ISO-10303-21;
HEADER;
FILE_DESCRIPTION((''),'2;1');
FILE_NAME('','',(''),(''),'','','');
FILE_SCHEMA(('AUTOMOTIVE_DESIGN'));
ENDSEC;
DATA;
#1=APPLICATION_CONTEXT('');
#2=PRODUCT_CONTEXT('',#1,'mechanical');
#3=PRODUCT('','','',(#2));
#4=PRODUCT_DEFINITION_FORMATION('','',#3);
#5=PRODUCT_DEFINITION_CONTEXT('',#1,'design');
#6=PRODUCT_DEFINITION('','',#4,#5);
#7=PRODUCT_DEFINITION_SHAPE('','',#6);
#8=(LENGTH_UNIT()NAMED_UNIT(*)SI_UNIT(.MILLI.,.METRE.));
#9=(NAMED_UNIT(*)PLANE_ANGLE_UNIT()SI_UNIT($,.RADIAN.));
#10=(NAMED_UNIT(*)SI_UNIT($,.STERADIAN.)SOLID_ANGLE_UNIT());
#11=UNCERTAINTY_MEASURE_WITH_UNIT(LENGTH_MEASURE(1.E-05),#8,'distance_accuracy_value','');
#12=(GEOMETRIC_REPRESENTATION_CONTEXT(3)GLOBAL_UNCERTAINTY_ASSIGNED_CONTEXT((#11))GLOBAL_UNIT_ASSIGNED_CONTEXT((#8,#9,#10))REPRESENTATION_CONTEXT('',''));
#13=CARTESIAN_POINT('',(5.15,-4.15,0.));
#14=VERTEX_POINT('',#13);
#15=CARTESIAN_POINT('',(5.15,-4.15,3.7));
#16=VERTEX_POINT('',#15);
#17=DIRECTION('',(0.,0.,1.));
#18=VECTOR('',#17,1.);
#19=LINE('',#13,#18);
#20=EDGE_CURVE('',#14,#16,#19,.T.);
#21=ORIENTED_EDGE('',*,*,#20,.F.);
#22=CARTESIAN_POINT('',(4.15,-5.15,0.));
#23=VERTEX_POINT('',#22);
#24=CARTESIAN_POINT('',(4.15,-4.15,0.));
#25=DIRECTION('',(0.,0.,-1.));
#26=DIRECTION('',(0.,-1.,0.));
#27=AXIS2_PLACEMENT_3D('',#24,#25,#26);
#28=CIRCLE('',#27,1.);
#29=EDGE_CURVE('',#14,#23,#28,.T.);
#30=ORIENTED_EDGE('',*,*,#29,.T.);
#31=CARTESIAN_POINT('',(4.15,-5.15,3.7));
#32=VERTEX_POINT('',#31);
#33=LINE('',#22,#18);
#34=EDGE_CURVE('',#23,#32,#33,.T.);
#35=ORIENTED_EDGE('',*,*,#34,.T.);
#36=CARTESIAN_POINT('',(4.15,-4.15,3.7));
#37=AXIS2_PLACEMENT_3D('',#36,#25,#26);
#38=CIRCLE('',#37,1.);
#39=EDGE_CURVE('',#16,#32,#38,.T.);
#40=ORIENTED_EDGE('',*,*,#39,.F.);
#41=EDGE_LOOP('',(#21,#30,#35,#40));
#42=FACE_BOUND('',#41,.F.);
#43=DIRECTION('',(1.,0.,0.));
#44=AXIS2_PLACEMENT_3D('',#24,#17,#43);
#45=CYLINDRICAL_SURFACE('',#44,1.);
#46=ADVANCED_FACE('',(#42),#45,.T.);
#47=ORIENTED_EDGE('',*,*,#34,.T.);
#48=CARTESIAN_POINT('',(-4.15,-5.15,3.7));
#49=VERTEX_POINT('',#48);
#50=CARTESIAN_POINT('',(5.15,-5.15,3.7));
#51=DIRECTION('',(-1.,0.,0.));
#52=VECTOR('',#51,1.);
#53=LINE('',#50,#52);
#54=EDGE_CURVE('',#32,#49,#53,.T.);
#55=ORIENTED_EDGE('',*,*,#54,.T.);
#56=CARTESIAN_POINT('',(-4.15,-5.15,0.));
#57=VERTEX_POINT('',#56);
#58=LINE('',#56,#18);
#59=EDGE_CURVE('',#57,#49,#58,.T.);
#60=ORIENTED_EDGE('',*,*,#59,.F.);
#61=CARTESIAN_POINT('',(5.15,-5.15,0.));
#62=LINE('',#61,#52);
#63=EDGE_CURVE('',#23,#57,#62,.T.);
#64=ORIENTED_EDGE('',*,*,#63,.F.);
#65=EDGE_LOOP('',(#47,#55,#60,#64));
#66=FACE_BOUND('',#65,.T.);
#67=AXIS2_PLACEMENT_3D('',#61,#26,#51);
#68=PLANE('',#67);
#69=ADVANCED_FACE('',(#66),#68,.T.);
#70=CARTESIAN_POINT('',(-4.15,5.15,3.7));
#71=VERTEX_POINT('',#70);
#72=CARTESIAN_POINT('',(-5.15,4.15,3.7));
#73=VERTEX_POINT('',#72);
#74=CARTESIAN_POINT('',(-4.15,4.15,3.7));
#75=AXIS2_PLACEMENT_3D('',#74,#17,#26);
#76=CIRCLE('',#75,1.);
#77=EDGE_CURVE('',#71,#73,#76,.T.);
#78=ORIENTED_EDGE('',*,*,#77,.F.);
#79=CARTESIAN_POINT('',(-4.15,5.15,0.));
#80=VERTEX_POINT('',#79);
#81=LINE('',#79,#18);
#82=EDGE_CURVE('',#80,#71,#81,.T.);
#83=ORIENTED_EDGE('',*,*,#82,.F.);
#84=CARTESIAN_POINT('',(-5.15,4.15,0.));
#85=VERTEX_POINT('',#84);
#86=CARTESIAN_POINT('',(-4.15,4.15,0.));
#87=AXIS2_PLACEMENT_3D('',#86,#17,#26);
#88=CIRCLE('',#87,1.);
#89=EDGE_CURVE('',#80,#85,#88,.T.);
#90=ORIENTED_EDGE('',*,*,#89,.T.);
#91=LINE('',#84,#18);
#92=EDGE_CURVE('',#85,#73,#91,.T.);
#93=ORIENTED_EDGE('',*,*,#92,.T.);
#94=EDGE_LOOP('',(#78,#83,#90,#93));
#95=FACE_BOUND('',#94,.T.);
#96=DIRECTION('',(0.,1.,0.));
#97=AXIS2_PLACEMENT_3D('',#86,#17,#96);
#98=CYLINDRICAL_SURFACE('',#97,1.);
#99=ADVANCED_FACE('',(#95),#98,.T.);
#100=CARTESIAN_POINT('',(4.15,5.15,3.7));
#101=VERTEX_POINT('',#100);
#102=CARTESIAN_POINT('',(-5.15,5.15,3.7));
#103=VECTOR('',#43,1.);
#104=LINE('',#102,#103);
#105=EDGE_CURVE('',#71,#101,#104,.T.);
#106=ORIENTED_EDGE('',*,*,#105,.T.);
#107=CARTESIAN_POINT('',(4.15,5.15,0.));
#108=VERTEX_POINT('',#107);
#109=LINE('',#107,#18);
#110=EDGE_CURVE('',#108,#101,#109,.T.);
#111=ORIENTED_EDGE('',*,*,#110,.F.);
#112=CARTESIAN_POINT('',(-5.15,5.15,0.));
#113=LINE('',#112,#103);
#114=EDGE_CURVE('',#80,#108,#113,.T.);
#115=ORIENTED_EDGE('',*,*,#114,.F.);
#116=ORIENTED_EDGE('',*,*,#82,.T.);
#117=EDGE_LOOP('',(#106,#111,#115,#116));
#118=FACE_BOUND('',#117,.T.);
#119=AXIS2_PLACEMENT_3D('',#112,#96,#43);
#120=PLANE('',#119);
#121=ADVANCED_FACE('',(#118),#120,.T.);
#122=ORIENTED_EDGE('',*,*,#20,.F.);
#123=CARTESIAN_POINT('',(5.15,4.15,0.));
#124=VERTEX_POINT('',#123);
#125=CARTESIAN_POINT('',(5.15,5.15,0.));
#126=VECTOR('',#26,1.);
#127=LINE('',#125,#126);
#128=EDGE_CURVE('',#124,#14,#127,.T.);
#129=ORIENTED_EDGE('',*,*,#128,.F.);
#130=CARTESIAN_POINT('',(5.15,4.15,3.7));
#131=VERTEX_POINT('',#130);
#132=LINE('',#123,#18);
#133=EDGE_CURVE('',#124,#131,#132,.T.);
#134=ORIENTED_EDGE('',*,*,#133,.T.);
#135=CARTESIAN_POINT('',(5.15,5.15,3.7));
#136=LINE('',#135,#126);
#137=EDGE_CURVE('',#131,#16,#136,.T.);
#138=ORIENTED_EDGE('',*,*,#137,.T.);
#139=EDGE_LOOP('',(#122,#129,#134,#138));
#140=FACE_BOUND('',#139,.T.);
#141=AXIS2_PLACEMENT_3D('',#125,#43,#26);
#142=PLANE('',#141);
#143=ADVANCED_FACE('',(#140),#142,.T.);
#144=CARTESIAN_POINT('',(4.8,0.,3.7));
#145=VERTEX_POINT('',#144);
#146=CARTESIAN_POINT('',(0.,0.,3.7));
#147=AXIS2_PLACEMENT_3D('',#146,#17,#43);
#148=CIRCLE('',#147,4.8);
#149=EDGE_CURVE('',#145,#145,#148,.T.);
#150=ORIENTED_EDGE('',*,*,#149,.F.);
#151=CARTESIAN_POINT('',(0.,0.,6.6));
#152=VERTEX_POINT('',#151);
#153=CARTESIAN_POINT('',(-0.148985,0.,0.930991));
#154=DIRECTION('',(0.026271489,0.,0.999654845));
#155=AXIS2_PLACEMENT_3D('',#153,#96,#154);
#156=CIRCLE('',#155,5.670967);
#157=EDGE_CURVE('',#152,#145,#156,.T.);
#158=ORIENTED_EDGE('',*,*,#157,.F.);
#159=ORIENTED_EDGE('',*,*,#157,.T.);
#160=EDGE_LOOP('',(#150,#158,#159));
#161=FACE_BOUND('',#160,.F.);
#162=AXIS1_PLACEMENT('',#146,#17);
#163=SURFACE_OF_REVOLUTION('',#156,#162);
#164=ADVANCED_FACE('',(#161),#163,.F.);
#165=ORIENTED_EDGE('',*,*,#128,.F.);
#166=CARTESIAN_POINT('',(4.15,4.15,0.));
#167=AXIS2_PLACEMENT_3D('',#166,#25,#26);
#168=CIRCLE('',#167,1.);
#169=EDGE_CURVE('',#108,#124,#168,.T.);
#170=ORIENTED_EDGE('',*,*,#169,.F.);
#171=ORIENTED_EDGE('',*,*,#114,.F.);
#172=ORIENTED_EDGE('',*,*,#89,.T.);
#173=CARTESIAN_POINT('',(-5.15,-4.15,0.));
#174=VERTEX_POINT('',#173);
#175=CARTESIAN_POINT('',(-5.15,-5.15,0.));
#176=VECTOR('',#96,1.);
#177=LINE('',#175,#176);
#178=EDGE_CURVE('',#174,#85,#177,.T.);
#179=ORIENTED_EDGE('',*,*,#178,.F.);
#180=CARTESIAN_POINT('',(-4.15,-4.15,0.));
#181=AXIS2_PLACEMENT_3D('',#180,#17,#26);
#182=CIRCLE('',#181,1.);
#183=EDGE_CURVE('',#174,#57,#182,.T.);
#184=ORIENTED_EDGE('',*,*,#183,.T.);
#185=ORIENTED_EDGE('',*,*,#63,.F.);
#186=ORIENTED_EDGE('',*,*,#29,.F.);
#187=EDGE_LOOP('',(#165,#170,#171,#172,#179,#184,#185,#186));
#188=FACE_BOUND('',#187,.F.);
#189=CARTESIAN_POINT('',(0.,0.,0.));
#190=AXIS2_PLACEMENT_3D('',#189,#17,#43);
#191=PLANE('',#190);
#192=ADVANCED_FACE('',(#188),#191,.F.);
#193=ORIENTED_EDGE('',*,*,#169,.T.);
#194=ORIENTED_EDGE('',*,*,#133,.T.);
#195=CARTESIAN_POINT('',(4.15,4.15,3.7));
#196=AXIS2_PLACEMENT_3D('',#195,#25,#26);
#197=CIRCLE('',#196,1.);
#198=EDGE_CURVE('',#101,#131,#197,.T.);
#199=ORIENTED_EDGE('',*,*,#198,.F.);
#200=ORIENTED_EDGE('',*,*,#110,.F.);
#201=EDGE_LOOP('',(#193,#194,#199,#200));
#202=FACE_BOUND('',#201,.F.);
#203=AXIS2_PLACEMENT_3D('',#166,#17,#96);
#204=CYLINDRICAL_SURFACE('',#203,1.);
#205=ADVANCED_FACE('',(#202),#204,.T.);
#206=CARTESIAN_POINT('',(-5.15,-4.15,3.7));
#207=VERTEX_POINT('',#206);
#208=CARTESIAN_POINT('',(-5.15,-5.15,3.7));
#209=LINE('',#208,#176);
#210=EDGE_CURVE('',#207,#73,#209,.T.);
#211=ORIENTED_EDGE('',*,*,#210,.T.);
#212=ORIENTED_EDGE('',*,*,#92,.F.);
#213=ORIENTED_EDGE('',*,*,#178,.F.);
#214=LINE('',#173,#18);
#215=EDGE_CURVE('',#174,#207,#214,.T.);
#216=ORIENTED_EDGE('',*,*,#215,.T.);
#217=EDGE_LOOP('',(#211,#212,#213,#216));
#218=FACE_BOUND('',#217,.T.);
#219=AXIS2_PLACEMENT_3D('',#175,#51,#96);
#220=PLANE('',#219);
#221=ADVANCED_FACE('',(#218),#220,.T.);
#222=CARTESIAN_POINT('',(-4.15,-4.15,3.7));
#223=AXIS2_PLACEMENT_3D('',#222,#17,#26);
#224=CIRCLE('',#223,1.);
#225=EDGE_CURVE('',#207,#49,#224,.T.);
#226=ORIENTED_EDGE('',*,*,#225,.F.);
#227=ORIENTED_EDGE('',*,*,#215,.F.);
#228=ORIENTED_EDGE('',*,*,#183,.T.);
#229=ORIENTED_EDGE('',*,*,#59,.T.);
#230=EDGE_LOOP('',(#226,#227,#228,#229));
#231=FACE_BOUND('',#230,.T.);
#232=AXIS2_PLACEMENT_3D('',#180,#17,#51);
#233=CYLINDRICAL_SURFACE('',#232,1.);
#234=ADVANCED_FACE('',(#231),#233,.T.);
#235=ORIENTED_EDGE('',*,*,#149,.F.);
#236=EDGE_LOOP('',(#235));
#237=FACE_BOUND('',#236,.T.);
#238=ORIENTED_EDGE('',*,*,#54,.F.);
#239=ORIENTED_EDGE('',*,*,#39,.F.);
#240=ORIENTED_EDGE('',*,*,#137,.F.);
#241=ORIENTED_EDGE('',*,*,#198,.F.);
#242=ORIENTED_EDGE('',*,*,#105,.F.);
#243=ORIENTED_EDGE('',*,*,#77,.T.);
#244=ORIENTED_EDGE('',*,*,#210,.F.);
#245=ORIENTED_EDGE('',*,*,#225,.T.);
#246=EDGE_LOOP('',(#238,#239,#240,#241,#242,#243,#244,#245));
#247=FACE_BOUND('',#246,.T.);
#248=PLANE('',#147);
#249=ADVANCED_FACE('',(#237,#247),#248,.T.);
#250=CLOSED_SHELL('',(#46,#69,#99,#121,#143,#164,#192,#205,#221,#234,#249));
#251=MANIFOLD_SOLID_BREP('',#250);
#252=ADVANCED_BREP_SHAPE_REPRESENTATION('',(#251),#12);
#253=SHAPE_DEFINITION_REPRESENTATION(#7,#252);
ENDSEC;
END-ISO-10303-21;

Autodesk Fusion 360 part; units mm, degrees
sketch "Sketch1" plane through (0, 0, 0) normal (0, 0, 1) x (1, 0, 0)
  line L0 (-5.15, 5.15) -> (5.15, 5.15)
  line L1 (5.15, 5.15) -> (5.15, -5.15)
  line L2 (5.15, -5.15) -> (-5.15, -5.15)
  line L3 (-5.15, -5.15) -> (-5.15, 5.15)
  dimension "d1" = 10.3
  dimension "d2" = 10.3
  dimension "d3" = 5.15
  dimension "d4" = 5.15
extrude "Extrude1" add sketch "Sketch1" along normal blind 3.7
sketch "Sketch2" plane through (0, 0, 0) normal (0, 1, 0) x (1, 0, 0)
  line L0 (-5.15, -3.7) -> (5.15, -3.7)
  line L1 (0, -3.7) -> (0, -6.6)
  line L2 (5.15, 0) -> (-5.15, 0)
  line L3 (0, -3.7) -> (4.8, -3.7)
  arc A0 (0, -6.6) -> (4.8, -3.7) centre (-0.149, -0.931) ccw
  dimension "d7" = 6.6
  dimension "d8" = 4.8
revolve "Revolve1" add sketch "Sketch2" angle 360 about axis through (0, 0, 3.7) along (0, 0, 1)
fillet "Fillet1" radius 1 4 edges at (5.15, -5.15, 1.85) (5.15, 5.15, 1.85) (-5.15, 5.15, 1.85) (-5.15, -5.15, 1.85)
equation "d3 = d1 / 2"
equation "d4 = d2 / 2"
equation "d8 = ( 9.6 / 2 ) * 1 mm"
